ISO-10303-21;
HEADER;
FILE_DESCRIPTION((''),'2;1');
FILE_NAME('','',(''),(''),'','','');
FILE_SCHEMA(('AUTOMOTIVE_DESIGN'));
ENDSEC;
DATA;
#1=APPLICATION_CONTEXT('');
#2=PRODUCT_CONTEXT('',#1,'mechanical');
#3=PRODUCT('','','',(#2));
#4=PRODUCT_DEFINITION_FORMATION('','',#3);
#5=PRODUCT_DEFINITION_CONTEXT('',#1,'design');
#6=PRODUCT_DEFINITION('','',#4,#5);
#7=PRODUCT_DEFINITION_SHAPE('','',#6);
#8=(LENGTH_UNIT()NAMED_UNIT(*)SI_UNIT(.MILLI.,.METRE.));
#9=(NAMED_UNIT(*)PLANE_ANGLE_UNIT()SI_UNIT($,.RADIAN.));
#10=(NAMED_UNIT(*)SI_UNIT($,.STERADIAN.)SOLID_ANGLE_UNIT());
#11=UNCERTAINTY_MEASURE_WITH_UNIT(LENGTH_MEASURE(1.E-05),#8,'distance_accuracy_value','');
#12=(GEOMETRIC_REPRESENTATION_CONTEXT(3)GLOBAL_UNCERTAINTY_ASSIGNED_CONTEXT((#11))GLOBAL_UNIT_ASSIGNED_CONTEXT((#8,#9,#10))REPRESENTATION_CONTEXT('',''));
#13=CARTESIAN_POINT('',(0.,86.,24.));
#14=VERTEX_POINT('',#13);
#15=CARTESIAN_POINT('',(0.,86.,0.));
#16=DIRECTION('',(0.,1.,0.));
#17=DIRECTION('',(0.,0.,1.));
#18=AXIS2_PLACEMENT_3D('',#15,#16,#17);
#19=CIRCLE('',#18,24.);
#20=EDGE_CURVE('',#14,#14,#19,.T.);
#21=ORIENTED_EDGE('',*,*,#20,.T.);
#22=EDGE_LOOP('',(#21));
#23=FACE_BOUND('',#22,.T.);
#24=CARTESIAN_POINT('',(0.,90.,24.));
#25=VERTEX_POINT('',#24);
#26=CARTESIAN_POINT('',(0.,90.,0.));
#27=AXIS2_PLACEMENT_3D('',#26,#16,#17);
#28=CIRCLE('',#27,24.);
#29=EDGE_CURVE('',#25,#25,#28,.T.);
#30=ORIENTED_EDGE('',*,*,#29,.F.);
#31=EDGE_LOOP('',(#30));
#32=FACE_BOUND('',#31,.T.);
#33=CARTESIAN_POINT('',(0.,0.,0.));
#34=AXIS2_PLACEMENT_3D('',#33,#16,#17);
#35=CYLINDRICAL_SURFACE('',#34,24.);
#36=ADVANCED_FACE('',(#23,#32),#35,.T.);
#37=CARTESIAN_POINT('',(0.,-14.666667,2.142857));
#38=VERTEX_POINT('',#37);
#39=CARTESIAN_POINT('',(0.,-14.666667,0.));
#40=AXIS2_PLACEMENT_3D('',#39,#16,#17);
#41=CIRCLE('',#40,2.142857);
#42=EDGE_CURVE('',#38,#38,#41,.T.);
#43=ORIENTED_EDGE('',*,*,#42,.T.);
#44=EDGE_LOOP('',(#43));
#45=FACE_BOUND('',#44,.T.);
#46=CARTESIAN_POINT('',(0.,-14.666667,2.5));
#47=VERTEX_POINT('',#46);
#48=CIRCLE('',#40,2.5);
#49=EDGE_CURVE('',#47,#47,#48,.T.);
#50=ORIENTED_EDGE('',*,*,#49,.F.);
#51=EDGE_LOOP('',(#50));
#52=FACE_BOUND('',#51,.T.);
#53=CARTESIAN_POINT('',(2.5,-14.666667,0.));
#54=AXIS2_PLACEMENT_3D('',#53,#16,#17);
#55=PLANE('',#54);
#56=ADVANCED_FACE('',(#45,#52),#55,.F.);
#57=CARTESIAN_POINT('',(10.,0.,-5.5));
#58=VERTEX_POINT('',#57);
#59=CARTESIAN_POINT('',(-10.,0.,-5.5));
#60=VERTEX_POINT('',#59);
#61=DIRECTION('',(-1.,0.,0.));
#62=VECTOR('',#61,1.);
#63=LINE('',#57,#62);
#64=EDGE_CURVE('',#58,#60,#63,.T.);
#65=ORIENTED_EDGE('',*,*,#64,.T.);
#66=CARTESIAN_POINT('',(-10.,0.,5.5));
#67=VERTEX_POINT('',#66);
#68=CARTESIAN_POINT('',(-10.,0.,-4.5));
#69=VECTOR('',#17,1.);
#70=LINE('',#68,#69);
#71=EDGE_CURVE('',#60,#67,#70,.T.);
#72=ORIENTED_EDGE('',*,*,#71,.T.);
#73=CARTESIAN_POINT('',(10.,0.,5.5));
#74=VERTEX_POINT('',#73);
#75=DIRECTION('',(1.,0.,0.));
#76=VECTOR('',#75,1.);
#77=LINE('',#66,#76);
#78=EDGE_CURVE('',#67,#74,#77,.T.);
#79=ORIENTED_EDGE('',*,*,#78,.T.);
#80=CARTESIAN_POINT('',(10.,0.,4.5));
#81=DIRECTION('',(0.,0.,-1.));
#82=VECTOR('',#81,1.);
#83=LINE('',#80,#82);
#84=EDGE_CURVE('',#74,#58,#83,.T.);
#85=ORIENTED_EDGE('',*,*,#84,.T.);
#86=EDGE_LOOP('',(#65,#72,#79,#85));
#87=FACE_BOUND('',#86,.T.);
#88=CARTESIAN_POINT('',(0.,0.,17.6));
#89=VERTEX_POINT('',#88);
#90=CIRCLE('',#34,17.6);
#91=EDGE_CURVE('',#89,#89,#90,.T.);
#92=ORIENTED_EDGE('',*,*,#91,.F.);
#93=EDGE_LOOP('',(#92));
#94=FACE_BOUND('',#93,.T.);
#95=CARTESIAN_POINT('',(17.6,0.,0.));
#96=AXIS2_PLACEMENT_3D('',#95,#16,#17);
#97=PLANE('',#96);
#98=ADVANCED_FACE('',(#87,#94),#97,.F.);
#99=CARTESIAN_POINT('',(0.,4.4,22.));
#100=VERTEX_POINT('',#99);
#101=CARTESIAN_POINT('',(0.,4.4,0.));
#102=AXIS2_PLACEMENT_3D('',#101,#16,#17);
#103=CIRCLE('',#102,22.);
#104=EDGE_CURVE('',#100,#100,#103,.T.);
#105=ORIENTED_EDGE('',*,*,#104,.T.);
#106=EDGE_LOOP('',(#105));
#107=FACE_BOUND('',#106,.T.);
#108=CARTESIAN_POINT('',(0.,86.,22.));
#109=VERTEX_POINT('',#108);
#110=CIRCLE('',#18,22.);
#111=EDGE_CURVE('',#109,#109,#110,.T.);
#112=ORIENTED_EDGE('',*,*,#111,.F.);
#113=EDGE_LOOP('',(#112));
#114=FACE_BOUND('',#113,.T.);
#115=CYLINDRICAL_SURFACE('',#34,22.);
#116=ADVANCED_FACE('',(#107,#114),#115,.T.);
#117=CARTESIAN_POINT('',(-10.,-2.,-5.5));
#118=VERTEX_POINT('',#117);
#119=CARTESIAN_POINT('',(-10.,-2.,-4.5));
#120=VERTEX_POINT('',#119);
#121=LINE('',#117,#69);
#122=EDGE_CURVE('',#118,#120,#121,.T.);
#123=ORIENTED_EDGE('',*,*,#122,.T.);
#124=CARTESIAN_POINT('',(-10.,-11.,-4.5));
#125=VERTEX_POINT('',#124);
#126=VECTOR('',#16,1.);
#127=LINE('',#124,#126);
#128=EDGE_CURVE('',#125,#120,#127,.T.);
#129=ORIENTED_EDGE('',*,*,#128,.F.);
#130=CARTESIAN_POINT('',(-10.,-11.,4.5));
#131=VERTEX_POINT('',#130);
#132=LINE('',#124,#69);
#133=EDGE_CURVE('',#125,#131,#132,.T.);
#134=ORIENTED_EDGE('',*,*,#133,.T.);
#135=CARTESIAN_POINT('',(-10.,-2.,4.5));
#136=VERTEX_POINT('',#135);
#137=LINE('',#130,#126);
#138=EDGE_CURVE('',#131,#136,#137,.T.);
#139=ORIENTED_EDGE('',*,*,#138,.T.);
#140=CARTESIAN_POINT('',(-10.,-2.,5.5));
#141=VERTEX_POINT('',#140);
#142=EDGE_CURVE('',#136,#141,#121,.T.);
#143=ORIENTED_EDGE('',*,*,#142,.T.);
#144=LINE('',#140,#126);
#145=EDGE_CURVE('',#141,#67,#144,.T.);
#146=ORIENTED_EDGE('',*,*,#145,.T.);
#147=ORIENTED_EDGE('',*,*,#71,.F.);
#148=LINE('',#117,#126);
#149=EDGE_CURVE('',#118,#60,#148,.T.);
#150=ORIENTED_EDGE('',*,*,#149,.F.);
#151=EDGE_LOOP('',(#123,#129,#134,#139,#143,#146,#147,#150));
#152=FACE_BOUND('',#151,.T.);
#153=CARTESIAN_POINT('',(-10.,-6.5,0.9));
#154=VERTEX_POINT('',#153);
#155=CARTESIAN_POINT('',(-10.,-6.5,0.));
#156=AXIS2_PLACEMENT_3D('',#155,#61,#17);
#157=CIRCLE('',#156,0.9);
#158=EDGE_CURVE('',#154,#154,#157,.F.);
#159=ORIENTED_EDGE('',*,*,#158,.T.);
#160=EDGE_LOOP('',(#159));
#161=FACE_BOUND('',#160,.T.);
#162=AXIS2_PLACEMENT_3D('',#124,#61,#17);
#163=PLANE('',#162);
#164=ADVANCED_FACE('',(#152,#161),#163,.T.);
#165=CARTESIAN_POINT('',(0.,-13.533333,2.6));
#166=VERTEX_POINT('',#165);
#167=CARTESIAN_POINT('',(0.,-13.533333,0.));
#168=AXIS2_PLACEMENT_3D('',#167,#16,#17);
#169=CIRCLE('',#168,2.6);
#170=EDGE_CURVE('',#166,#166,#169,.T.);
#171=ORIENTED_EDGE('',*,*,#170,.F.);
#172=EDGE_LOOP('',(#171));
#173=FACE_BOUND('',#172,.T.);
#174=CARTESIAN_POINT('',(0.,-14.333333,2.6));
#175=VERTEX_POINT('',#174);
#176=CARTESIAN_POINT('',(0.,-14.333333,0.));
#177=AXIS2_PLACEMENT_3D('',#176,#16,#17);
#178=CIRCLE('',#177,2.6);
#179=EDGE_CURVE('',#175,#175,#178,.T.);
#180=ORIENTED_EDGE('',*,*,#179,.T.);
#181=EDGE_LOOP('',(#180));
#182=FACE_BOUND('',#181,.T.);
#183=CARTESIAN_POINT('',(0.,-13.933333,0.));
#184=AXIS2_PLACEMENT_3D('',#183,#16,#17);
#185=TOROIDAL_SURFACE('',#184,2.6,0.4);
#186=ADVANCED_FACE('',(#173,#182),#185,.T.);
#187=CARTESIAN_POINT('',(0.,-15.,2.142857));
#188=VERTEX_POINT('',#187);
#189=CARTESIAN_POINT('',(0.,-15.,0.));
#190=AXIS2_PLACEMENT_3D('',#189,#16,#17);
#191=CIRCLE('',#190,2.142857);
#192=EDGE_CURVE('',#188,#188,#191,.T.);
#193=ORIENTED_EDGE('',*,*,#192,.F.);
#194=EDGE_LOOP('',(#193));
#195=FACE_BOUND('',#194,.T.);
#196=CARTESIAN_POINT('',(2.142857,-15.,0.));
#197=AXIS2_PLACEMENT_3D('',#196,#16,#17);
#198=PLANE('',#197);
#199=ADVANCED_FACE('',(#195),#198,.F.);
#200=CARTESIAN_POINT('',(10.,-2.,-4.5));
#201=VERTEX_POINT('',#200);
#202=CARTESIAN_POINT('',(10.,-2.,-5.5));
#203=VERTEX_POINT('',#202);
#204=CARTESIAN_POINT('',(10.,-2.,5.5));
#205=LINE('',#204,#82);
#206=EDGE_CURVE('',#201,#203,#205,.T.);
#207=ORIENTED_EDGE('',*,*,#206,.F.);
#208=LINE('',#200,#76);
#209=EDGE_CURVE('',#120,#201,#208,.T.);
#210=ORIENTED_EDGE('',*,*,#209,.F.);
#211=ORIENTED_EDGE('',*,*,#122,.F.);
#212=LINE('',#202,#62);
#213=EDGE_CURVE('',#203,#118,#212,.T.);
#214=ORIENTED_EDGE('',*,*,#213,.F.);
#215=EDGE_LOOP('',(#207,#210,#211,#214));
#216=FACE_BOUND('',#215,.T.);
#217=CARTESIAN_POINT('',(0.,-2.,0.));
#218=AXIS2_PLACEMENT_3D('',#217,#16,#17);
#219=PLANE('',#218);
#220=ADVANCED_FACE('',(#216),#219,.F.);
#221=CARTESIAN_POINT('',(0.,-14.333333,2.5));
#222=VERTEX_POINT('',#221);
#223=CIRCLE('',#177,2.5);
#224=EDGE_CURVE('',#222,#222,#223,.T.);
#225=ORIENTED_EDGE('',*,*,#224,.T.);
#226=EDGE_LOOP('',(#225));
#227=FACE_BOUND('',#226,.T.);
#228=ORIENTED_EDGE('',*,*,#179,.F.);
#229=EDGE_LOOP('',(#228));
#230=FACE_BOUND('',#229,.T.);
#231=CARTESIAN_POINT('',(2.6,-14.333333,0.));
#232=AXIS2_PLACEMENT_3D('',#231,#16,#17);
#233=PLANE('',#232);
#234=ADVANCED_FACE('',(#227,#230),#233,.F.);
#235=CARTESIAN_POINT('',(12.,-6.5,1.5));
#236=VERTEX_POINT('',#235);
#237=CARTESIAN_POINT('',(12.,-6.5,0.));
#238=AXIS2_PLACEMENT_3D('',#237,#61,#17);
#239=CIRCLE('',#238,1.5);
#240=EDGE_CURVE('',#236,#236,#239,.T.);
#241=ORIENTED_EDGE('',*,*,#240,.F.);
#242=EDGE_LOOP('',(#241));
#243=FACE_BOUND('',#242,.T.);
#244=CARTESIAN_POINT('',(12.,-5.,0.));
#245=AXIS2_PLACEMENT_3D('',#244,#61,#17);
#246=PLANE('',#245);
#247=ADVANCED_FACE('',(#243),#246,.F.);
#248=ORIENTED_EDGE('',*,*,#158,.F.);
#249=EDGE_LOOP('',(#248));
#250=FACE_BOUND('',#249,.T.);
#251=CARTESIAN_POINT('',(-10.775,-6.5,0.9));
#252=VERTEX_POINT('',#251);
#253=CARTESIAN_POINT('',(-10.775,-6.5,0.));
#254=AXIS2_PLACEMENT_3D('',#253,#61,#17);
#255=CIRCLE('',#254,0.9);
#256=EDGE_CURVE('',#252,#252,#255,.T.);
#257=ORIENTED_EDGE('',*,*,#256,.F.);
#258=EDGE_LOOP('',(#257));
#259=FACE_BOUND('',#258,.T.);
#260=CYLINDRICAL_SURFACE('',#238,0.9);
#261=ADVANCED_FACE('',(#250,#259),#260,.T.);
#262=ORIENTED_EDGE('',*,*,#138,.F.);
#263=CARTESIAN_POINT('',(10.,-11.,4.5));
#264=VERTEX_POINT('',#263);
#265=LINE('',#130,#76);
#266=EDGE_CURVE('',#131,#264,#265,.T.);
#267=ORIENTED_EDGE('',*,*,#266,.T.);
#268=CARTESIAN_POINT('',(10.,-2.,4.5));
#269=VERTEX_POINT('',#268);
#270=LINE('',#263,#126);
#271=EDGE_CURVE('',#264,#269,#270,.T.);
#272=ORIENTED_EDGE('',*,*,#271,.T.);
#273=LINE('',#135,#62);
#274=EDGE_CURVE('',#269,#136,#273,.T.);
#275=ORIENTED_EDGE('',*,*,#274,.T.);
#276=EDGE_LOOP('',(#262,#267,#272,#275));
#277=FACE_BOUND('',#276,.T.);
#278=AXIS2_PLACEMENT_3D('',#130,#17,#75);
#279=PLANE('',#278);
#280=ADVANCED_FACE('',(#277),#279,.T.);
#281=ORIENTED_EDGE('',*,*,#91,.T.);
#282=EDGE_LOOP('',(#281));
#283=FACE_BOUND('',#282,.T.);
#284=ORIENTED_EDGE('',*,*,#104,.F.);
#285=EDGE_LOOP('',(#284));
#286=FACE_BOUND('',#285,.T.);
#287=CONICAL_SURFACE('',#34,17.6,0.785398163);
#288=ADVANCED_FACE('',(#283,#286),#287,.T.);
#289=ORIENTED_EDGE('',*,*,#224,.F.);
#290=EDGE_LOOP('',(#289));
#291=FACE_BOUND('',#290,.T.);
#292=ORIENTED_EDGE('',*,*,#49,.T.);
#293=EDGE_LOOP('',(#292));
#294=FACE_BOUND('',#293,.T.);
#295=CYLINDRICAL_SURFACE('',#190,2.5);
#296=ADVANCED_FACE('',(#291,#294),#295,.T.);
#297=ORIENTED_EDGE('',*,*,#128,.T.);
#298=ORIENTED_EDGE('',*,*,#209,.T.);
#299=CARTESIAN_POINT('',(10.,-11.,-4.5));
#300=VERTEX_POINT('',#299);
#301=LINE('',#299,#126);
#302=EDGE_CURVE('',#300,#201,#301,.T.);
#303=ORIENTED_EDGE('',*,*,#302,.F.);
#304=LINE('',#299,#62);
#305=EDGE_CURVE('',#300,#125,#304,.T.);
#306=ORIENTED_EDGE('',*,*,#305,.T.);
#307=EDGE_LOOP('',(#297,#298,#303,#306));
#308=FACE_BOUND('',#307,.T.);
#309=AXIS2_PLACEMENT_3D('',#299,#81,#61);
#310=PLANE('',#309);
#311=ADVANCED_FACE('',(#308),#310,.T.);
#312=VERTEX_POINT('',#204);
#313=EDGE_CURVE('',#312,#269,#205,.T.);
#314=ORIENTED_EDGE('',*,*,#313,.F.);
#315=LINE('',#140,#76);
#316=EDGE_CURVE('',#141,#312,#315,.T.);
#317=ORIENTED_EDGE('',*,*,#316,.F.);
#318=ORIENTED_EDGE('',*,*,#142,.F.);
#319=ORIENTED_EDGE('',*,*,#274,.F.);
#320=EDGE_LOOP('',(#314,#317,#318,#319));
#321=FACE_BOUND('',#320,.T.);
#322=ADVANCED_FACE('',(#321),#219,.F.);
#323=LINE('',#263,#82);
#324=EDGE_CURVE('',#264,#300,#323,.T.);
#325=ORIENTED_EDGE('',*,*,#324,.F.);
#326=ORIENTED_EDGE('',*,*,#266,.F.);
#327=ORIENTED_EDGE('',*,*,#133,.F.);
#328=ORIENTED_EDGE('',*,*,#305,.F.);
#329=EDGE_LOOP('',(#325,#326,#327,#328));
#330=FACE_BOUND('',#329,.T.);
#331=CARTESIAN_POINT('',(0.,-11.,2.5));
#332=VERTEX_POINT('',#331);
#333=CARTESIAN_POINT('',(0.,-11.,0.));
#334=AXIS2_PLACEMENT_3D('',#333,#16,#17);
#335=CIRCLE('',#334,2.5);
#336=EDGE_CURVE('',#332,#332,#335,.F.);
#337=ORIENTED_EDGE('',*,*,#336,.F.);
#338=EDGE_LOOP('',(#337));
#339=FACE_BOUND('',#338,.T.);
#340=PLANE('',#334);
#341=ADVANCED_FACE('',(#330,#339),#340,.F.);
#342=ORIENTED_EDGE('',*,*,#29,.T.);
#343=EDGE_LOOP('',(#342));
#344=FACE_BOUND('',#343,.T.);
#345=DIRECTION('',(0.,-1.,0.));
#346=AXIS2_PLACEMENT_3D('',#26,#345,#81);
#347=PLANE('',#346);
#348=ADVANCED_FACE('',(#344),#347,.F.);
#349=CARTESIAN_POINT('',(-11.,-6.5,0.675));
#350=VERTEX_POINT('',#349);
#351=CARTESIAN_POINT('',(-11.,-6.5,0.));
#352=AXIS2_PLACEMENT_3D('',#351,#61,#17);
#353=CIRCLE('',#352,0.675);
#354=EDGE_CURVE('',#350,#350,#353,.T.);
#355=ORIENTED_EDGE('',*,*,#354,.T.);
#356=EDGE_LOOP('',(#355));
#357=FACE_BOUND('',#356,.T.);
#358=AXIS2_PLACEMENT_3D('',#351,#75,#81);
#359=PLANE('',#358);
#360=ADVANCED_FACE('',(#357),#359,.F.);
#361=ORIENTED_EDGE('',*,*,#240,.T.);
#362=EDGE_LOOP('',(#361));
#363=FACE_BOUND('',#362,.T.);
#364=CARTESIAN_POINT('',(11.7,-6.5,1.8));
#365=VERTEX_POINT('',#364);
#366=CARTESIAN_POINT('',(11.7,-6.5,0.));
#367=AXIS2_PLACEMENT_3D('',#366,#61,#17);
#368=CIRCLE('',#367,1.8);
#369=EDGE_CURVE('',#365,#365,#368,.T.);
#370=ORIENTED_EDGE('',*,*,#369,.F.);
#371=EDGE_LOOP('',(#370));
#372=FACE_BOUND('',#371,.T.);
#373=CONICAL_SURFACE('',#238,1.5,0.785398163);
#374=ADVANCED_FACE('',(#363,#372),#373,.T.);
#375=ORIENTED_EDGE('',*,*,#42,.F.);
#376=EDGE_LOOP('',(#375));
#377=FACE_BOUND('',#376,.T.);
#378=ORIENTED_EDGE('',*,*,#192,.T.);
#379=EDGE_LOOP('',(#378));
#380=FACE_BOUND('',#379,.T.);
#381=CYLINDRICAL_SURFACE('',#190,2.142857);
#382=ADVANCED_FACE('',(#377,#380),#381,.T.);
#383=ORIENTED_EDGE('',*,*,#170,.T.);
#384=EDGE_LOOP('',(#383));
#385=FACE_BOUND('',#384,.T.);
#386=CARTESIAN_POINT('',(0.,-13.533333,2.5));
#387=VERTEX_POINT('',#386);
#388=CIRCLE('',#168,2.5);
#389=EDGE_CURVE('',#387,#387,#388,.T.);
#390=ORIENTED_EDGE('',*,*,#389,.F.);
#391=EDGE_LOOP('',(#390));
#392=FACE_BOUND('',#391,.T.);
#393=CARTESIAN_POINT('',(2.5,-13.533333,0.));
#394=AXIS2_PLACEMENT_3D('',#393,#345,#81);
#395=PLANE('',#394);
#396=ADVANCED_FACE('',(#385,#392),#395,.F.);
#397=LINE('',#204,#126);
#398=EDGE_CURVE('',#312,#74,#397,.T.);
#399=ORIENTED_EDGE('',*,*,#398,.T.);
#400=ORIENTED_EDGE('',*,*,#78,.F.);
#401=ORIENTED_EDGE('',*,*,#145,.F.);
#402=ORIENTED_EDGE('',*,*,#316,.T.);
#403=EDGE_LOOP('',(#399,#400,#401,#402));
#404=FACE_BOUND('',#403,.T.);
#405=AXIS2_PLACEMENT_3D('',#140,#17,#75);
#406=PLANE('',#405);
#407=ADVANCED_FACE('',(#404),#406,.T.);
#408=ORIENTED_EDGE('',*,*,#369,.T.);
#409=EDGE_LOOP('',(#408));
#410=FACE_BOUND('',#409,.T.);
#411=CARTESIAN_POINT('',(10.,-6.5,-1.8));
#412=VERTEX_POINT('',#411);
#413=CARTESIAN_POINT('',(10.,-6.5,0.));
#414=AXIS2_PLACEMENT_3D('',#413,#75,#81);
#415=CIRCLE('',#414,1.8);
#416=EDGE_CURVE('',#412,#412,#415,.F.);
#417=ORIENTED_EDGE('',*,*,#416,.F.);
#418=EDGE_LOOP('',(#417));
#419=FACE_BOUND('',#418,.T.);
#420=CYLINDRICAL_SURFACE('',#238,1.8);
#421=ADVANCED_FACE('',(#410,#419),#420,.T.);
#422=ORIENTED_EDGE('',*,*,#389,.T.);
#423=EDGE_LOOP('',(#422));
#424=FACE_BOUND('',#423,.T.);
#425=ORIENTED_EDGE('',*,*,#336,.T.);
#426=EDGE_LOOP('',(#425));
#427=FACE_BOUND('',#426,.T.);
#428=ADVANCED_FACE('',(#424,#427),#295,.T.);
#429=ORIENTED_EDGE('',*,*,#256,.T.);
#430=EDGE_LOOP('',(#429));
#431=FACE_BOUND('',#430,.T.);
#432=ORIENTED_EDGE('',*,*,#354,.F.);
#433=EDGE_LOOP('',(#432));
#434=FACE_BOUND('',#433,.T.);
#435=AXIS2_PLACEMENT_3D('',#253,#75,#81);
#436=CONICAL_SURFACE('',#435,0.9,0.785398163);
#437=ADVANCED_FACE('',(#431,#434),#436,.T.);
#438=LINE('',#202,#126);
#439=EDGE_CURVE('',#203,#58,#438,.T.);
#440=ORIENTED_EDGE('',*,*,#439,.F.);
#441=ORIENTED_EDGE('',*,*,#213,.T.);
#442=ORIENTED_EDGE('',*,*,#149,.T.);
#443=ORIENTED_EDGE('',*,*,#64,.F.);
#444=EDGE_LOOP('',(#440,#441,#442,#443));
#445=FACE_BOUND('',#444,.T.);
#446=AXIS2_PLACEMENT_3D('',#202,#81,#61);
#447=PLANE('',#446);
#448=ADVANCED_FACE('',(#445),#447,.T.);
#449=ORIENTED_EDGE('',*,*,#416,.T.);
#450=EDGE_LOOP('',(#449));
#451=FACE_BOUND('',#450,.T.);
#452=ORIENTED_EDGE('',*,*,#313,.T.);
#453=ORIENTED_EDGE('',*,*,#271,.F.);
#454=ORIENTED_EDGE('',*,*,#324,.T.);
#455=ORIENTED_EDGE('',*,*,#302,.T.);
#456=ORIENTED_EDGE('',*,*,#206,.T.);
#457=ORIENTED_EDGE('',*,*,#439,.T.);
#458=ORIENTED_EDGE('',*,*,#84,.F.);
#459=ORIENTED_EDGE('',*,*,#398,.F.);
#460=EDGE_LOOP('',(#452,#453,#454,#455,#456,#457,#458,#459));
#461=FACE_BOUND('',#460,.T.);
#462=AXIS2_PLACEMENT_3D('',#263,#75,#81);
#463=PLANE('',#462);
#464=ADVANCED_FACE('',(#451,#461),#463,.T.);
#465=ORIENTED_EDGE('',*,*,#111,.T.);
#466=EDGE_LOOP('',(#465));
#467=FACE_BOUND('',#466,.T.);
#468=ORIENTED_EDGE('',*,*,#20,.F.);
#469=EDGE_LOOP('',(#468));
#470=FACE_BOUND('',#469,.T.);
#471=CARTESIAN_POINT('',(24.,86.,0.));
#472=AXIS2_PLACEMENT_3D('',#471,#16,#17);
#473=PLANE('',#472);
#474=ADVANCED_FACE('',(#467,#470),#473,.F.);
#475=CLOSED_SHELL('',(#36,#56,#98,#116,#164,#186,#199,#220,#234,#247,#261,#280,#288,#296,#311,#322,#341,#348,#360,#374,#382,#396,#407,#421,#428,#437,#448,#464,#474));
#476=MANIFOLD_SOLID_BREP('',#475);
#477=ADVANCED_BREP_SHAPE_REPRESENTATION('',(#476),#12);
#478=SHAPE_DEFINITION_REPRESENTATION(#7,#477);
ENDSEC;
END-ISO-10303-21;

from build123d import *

# Parameters (mm, degrees)
SKETCH_2_W      = 20
SKETCH_2_H      = 9
EXTRUDE_1_DEPTH = 11
SKETCH_3_W      = 20
SKETCH_3_H      = 11
EXTRUDE_2_DEPTH = 2


with BuildPart() as part:
    # 草图1 → 旋转1 (revolve)
    with BuildSketch(Plane.XY):
        Polygon((0, 90), (24, 90), (24, 86), (22, 86), (22, 4.4), (17.6, 0), (0, 0), align=None)
    revolve(axis=Axis((0, 0, 0), (0, 1, 0)))

    # 草图2 → 凸台-拉伸1 (add)
    with BuildSketch(Plane(origin=(0, 0, 0), x_dir=(1, 0, 0), z_dir=(0, 1, 0))):
        Rectangle(SKETCH_2_W, SKETCH_2_H)
    extrude(amount=-EXTRUDE_1_DEPTH)

    # 草图3 → 凸台-拉伸2 (add)
    with BuildSketch(Plane(origin=(0, 0, 0), x_dir=(1, 0, 0), z_dir=(0, 1, 0))):
        Rectangle(SKETCH_3_W, SKETCH_3_H)
    extrude(amount=-EXTRUDE_2_DEPTH)

    # 草图4 → 旋转2 (revolve)
    with BuildSketch(Plane.XY):
        with BuildLine():
            Line((0, -11), (2.5, -11))
            Line((2.5, -11), (2.5, -13.533333333))
            Line((2.5, -13.533333333), (2.6, -13.533333333))
            ThreePointArc((2.6, -13.533333333), (2.882842712, -13.650490621), (3, -13.933333333))
            ThreePointArc((3, -13.933333333), (2.882842712, -14.216176046), (2.6, -14.333333333))
            Line((2.6, -14.333333333), (2.5, -14.333333333))
            Line((2.5, -14.333333333), (2.5, -14.666666667))
            Line((2.5, -14.666666667), (2.142857143, -14.666666667))
            Line((2.142857143, -14.666666667), (2.142857143, -15))
            Line((2.142857143, -15), (0, -15))
            Line((0, -15), (0, -11))
        make_face()
    revolve(axis=Axis((0, -15, 0), (0, 1, 0)))

    # 草图5 → 旋转3 (revolve)
    with BuildSketch(Plane.XY):
        Polygon((-11, -6.5), (-11, -5.825), (-10.775, -5.6), (9.5, -5.6), (9.5, -4.7), (11.7, -4.7), (12, -5), (12, -6.5), align=None)
    revolve(axis=Axis((12, -6.5, 0), (-1, 0, 0)))


solid = part.part
